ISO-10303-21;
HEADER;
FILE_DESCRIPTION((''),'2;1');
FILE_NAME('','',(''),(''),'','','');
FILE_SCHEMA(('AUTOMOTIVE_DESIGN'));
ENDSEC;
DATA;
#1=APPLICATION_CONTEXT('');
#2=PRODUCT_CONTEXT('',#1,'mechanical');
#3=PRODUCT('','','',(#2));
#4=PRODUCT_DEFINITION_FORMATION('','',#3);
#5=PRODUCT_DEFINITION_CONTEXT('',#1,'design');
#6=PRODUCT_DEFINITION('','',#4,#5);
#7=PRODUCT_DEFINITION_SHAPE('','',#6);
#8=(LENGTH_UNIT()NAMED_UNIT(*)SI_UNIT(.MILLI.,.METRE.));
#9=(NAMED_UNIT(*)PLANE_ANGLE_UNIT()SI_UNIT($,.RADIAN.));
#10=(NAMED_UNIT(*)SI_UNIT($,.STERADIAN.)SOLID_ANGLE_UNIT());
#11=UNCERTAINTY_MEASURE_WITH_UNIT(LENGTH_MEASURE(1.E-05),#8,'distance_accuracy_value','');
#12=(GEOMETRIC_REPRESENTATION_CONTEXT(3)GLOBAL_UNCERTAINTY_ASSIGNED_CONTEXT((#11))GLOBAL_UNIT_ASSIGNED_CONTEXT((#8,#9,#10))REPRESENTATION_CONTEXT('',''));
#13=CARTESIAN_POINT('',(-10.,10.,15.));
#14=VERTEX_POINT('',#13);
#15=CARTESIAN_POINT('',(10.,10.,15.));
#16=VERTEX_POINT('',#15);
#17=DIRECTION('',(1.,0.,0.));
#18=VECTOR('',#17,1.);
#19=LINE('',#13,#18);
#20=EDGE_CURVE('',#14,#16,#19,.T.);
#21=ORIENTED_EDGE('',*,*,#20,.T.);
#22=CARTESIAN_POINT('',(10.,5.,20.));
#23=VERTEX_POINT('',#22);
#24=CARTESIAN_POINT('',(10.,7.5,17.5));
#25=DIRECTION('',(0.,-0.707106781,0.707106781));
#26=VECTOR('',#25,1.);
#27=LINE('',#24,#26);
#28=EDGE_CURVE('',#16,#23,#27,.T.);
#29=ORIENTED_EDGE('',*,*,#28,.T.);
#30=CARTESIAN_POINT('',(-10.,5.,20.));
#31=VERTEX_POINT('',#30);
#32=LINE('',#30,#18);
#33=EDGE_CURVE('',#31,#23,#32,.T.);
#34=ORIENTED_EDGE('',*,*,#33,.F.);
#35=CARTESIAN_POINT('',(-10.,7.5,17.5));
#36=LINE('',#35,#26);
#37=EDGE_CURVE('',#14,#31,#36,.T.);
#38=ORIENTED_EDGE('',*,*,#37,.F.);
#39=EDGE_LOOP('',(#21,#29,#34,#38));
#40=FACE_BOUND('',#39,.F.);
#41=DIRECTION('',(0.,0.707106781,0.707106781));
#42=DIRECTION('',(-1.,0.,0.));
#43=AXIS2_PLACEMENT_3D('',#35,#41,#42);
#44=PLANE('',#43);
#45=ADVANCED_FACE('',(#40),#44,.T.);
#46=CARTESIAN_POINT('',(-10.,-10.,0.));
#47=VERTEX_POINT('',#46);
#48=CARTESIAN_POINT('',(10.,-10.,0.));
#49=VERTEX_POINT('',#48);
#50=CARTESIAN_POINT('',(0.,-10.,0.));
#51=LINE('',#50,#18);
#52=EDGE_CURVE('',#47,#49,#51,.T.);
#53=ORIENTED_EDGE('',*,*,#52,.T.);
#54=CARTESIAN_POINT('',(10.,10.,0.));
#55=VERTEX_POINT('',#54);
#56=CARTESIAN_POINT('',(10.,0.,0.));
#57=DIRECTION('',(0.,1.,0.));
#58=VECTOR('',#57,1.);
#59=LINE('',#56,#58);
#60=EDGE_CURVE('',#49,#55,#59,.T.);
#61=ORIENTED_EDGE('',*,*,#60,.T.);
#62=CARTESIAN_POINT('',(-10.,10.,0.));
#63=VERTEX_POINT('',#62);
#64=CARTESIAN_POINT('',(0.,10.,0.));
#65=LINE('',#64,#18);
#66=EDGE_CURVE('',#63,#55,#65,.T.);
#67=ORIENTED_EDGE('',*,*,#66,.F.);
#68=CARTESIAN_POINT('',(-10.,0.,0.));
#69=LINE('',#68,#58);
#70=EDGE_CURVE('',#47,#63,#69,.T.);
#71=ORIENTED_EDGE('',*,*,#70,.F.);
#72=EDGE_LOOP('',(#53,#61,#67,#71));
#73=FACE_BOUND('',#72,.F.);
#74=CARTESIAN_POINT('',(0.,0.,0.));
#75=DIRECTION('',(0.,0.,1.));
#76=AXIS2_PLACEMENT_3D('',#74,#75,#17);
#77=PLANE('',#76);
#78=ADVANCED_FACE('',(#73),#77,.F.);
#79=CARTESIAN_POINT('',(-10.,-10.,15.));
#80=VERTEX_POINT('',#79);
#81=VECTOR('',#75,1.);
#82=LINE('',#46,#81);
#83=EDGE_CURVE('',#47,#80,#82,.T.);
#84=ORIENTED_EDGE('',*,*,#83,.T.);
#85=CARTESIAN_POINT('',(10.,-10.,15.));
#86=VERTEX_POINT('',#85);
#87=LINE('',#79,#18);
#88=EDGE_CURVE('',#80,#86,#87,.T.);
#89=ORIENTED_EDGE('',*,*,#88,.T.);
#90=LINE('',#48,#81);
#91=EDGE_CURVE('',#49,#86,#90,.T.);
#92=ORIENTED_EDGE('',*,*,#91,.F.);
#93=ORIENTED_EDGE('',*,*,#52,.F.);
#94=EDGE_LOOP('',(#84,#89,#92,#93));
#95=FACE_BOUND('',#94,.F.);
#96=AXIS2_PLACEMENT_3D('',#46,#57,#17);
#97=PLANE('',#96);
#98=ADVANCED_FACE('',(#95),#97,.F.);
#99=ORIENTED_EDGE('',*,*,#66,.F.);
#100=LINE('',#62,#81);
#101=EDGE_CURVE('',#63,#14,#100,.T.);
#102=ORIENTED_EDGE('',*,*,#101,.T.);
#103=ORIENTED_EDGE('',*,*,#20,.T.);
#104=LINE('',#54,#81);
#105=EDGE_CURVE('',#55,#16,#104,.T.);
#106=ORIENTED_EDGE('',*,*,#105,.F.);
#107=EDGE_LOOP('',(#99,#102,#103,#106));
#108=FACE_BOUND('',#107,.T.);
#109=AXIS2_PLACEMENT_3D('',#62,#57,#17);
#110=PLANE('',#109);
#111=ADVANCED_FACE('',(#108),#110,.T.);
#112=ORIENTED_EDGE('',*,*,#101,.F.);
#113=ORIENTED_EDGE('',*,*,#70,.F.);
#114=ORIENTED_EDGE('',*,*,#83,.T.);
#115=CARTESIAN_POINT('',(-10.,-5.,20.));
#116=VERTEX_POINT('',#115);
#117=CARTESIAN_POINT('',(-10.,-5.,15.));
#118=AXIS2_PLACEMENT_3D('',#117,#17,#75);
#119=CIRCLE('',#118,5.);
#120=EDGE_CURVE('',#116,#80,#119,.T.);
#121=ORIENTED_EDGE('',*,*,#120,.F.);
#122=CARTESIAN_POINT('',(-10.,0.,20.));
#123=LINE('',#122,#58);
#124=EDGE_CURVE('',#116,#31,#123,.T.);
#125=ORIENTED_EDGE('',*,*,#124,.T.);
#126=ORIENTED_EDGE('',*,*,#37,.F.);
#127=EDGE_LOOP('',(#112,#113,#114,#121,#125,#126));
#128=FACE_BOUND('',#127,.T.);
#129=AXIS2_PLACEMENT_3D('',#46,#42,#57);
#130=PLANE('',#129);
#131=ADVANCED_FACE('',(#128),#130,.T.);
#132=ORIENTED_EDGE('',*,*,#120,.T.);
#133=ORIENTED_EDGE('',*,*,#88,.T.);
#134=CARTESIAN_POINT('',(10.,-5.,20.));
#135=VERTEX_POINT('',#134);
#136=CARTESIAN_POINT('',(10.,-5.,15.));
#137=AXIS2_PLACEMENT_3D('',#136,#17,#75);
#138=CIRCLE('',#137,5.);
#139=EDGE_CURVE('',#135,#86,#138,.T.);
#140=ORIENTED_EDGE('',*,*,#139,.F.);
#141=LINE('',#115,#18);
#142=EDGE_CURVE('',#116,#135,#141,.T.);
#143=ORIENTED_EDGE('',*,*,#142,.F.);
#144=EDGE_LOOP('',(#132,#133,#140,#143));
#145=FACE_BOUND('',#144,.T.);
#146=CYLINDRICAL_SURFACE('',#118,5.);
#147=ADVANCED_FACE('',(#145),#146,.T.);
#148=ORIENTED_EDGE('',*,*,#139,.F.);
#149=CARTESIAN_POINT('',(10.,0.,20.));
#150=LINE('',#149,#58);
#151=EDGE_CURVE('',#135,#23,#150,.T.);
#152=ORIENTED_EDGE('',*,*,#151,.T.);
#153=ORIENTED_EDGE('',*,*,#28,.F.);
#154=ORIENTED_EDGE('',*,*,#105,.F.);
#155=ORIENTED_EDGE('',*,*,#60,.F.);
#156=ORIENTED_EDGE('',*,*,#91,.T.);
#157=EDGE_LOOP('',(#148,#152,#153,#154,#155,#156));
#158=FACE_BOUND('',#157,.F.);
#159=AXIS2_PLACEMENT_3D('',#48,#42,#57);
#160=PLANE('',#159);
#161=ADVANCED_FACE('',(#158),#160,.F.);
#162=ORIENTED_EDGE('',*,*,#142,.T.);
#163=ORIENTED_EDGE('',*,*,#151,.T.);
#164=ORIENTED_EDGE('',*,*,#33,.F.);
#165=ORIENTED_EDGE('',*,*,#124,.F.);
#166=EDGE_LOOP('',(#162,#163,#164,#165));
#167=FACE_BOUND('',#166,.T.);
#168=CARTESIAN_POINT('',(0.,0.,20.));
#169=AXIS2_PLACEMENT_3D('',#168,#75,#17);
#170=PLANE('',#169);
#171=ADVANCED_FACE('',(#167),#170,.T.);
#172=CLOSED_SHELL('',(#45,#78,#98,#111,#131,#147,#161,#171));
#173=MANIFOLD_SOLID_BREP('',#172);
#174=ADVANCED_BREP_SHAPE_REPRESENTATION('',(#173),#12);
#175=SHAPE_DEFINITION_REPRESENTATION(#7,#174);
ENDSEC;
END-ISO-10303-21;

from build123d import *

# Parameters (mm, degrees)
F0_W     = 20
F0_H     = 20
F1_DEPTH = 20
F2_SIZE  = 5
F3_R     = 5


with BuildPart() as f1:
    # F0 (on Top) → F1 (new body)
    with BuildSketch(Plane.XY):
        Rectangle(F0_W, F0_H)
    extrude(amount=F1_DEPTH)

    # F2
    f2_edges = [f1.edges().sort_by_distance(p)[0] for p in [
        (0, 10, 20),
    ]]
    chamfer(f2_edges, length=F2_SIZE)

    # F3
    f3_edges = [f1.edges().sort_by_distance(p)[0] for p in [
        (0, -10, 20),
    ]]
    fillet(f3_edges, radius=F3_R)


solid = f1.part
